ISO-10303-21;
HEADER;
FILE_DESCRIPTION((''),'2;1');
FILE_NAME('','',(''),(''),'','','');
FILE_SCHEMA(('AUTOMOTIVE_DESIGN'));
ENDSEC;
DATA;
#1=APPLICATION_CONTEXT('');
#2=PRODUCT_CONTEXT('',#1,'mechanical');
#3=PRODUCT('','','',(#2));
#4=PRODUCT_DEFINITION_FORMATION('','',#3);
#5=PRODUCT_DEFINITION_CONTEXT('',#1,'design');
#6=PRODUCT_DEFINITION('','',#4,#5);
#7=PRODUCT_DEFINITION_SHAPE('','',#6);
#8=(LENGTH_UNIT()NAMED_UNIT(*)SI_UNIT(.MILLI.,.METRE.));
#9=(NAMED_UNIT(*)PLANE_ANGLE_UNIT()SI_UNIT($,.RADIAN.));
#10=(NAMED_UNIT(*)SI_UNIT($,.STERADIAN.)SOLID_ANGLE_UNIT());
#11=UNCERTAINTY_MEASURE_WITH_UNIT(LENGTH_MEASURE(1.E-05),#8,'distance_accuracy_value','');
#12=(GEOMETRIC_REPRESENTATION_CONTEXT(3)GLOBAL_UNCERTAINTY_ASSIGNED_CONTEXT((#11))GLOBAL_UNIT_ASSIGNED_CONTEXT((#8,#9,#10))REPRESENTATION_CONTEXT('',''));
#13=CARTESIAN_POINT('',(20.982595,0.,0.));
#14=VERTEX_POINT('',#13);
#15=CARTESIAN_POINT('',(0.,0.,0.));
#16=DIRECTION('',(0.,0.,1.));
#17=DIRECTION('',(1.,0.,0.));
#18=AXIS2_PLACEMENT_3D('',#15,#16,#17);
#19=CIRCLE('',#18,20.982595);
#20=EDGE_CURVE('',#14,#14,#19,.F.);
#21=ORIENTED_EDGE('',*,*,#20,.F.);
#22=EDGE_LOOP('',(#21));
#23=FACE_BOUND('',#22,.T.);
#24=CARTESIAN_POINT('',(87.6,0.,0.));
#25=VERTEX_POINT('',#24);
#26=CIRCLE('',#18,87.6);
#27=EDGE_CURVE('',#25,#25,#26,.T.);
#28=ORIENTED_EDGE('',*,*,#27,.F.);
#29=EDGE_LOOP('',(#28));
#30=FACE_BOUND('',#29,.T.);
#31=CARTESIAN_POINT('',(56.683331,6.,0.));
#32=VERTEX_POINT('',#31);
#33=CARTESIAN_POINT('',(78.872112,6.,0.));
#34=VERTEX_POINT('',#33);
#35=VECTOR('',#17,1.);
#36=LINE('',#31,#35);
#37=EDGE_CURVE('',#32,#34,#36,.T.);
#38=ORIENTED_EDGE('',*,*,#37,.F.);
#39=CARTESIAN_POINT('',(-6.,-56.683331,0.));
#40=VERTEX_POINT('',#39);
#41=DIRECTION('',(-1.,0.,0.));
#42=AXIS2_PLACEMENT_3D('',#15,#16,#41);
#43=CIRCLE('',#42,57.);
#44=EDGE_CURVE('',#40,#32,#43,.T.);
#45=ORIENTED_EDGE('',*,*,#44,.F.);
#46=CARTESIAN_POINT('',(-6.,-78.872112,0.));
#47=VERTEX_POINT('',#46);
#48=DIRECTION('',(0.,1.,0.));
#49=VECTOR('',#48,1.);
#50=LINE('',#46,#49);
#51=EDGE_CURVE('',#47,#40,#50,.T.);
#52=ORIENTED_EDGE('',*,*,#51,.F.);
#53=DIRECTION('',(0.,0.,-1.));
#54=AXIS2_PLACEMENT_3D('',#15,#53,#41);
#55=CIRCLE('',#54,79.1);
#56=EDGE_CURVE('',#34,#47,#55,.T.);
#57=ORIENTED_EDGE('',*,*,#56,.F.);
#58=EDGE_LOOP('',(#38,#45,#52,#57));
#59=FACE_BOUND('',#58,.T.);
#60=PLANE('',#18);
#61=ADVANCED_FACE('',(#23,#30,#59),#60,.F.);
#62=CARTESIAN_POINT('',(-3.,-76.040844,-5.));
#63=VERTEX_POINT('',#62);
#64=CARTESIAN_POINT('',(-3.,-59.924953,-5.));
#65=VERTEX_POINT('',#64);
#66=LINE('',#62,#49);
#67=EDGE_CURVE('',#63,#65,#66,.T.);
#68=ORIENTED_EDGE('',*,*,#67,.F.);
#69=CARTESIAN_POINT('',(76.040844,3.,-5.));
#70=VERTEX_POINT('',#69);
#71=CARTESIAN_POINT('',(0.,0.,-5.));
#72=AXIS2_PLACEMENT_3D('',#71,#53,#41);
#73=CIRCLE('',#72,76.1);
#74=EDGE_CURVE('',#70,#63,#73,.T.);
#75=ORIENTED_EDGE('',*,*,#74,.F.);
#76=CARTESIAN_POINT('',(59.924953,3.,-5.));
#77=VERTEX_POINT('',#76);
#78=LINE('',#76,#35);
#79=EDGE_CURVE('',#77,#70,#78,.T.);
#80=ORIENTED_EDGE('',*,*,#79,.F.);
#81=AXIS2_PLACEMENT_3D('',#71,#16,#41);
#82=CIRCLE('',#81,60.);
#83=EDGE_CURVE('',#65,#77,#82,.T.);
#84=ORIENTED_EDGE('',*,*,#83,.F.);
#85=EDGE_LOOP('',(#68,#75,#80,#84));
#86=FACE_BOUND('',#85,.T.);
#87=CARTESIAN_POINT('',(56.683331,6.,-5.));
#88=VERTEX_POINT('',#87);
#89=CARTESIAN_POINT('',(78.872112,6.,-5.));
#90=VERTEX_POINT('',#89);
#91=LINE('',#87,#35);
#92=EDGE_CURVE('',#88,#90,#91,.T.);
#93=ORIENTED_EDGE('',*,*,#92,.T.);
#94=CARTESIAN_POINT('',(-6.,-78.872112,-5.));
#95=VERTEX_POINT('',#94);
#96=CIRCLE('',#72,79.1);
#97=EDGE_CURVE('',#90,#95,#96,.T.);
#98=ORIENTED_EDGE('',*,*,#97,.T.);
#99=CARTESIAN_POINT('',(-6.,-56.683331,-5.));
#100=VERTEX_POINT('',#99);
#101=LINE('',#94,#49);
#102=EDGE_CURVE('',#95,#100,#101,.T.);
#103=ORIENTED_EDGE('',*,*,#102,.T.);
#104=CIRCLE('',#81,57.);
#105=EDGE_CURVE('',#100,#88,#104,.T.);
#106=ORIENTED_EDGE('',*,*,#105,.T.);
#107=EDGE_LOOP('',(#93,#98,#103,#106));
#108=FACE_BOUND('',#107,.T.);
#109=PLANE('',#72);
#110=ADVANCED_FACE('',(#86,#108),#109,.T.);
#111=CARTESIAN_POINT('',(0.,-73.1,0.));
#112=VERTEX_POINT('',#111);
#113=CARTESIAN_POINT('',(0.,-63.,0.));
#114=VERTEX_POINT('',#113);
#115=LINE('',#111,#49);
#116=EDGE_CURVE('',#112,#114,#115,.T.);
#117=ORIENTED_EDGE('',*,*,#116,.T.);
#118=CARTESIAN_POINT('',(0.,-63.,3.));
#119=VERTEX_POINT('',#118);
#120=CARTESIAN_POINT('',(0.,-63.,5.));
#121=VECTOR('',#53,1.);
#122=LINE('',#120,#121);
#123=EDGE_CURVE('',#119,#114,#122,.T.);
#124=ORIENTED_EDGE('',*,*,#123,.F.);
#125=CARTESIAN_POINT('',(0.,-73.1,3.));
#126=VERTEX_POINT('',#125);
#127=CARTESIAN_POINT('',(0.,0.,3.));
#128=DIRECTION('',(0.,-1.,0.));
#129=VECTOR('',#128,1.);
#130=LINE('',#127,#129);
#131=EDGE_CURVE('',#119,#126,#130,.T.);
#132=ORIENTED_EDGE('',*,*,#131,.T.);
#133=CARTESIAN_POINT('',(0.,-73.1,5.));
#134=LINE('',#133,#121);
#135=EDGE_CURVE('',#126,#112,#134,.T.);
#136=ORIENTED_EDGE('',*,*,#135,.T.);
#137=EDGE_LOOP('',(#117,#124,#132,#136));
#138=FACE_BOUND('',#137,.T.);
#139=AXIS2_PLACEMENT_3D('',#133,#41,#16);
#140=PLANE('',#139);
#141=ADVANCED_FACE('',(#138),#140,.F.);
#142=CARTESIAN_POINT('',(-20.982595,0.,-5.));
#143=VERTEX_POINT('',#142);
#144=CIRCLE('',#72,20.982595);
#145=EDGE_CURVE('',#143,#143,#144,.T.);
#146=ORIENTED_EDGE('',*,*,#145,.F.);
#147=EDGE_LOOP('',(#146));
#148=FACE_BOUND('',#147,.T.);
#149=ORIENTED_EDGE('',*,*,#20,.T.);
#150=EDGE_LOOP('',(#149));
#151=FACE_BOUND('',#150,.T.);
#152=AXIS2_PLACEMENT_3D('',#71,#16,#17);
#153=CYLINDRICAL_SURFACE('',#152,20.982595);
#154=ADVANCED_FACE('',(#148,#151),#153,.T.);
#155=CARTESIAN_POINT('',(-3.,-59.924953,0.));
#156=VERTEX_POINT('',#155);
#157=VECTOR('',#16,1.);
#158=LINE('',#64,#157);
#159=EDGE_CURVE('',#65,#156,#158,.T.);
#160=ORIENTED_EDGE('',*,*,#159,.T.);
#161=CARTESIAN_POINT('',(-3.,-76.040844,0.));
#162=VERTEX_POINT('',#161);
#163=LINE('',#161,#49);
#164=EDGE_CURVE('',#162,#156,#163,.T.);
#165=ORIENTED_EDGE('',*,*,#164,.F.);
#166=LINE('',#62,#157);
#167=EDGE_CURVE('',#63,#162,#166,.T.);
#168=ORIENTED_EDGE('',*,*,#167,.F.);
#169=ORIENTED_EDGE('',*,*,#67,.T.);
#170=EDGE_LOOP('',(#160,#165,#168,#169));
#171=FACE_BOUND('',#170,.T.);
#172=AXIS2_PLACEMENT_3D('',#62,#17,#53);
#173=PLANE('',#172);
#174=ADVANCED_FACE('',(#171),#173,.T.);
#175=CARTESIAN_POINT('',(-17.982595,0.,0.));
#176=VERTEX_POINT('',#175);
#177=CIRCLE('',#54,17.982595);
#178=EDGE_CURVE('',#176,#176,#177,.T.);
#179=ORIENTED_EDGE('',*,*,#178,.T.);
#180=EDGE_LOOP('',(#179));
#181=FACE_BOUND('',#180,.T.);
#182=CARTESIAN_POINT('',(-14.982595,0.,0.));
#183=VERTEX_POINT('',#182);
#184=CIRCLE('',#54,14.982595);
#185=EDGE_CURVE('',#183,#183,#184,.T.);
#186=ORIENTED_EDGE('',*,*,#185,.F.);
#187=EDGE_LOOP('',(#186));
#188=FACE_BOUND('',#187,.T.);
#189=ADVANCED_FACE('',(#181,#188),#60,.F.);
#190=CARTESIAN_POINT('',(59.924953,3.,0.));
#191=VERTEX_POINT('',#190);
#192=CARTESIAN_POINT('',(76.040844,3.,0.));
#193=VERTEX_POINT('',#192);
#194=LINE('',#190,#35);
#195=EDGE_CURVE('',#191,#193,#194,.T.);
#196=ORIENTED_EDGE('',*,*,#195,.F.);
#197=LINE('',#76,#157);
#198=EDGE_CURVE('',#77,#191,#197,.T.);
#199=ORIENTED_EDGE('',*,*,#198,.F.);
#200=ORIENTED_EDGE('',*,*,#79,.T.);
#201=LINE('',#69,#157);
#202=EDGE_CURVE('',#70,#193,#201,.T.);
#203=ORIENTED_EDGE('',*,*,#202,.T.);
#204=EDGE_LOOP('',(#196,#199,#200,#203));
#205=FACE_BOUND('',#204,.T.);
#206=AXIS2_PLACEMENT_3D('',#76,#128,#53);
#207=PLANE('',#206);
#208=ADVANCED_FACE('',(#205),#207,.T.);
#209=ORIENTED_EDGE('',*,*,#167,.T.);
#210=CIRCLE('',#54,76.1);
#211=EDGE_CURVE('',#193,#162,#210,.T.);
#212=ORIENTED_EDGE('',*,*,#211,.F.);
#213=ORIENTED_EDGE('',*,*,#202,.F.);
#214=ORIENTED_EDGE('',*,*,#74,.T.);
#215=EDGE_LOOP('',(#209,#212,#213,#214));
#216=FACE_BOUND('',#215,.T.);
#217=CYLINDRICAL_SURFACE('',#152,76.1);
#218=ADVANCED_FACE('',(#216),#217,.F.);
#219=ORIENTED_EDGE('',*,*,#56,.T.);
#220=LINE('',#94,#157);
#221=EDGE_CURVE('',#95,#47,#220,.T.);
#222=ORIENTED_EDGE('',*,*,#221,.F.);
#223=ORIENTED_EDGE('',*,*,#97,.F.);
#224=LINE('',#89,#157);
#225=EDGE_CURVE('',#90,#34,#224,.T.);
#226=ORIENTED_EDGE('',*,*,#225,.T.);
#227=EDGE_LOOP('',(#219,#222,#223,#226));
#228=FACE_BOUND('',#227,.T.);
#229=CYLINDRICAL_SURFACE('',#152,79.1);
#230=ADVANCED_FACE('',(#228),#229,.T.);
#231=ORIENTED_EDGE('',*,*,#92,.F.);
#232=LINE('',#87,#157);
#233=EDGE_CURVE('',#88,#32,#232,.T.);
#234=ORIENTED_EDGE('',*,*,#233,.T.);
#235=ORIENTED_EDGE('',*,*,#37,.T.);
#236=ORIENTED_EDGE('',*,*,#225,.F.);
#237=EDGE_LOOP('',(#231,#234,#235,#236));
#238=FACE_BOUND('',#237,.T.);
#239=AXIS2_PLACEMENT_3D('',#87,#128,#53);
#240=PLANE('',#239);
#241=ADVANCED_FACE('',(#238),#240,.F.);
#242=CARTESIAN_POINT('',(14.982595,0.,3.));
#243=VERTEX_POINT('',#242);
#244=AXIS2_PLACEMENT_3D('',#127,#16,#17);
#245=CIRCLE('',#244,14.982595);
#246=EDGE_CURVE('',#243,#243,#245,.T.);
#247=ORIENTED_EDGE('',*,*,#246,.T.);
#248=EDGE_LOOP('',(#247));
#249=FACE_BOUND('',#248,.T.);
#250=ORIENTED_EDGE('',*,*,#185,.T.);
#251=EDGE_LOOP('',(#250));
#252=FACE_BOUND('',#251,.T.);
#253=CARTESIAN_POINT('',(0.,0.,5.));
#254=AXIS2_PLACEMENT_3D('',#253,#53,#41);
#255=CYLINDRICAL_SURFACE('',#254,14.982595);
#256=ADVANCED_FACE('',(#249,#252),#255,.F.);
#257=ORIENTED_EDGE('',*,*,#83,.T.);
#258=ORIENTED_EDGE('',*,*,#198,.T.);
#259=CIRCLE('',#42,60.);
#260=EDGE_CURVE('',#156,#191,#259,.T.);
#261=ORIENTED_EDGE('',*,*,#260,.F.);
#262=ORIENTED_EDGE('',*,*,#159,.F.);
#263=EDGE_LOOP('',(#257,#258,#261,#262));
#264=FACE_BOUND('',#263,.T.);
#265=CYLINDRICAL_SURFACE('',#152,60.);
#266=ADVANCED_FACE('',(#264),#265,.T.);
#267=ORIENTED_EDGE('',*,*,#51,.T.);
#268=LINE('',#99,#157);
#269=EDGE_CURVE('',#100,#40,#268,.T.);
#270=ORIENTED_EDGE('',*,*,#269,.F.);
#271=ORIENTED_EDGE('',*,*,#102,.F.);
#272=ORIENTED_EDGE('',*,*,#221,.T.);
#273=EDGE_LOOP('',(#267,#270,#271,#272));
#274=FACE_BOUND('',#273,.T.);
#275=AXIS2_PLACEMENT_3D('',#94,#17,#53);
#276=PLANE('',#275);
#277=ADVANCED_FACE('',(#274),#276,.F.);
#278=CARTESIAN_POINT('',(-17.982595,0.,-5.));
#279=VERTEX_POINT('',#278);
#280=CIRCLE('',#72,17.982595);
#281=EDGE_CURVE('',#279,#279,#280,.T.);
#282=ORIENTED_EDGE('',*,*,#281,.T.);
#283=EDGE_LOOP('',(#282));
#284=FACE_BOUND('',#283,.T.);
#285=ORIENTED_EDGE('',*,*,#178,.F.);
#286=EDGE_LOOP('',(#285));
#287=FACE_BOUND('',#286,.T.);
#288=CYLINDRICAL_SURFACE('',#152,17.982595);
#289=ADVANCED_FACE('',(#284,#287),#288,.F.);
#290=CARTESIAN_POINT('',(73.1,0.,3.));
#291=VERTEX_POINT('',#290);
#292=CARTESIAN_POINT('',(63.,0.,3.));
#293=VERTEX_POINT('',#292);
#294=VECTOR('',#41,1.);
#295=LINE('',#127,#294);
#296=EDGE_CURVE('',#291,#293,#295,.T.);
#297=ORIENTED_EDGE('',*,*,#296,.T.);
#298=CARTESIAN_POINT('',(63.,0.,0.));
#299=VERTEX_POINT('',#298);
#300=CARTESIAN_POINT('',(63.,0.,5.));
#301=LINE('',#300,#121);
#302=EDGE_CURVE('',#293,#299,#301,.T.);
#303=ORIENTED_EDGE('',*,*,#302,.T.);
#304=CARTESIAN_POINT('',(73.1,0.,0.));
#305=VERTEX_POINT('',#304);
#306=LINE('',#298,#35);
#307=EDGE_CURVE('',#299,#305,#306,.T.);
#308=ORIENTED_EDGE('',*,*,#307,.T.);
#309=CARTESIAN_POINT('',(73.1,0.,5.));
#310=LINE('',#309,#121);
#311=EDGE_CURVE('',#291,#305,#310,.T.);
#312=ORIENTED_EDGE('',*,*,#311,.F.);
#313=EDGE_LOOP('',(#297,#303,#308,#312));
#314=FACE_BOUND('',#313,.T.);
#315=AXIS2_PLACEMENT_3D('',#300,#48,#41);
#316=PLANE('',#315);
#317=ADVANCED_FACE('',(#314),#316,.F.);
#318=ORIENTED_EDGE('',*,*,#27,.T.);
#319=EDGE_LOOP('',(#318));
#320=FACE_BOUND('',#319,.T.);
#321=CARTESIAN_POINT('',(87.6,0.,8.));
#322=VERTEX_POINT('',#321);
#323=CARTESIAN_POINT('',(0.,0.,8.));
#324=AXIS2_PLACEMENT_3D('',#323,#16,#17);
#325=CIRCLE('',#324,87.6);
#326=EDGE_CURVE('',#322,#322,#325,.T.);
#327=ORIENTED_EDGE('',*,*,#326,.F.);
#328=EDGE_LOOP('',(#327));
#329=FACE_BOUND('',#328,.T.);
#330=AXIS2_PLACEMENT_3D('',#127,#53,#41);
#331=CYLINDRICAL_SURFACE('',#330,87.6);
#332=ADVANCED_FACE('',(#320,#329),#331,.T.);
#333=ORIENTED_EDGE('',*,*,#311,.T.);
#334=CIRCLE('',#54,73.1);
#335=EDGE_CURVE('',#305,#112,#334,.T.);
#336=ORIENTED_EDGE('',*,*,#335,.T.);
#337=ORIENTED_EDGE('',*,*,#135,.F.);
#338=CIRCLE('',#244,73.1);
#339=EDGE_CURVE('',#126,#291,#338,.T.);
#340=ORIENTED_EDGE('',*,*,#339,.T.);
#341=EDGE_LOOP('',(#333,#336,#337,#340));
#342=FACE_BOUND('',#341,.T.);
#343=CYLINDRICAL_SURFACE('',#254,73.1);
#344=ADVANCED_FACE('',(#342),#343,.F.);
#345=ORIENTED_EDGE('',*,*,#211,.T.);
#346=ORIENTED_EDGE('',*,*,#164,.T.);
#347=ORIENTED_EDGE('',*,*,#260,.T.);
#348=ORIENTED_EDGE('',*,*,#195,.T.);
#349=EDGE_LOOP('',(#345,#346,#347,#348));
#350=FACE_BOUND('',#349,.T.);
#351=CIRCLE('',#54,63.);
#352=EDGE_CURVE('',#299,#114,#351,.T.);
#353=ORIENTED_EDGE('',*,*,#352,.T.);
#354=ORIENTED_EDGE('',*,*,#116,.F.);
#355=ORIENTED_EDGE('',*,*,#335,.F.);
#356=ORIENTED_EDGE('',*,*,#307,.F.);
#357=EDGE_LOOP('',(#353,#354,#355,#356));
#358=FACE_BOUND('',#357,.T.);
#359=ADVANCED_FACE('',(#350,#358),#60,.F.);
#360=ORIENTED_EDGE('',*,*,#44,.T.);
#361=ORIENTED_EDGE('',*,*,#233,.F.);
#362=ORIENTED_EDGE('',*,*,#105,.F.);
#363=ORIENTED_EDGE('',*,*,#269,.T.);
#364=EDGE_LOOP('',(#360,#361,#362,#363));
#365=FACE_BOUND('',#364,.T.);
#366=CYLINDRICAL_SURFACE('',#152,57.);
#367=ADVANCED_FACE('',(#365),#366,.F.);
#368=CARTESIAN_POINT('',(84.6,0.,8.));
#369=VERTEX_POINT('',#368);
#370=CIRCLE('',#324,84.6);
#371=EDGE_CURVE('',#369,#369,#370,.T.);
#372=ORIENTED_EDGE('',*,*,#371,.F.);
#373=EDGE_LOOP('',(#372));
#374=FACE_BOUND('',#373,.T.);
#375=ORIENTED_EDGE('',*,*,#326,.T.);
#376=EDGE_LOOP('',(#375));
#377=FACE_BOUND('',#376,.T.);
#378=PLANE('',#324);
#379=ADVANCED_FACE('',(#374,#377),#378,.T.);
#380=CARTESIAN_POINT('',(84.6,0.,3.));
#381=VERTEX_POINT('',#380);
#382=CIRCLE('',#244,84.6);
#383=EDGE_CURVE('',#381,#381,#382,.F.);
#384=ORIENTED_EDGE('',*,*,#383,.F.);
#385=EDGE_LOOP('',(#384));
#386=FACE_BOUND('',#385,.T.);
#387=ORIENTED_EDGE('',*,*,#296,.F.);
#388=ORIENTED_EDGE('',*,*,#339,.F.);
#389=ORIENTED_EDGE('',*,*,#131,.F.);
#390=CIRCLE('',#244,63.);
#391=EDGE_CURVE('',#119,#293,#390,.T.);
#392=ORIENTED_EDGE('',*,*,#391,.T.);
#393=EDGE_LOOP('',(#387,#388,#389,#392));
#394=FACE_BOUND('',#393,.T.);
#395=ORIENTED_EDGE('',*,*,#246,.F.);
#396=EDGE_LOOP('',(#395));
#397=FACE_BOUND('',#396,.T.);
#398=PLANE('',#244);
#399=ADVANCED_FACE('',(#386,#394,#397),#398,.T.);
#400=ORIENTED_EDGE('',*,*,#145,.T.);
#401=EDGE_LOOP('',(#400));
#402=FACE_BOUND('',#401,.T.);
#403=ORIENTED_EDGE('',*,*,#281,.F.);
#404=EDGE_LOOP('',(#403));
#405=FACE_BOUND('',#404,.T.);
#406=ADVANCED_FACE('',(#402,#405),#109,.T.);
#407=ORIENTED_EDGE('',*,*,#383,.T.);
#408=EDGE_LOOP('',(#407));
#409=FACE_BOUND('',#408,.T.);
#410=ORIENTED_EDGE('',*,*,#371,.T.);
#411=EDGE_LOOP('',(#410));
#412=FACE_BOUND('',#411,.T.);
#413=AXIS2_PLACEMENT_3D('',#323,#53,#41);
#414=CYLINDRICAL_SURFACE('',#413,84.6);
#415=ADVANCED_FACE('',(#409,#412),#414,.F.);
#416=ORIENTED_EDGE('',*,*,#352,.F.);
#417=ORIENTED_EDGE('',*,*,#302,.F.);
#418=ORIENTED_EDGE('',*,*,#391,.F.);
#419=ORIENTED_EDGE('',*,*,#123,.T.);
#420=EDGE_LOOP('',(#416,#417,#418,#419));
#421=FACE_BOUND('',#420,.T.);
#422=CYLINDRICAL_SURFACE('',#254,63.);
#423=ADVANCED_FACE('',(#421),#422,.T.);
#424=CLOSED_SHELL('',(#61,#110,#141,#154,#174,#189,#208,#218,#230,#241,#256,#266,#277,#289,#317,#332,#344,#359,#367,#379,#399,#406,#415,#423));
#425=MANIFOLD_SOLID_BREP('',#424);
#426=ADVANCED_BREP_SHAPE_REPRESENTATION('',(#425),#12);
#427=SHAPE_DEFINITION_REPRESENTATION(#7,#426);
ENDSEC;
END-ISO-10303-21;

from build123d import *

# Parameters (mm, degrees)
SKETCH_1_R          = 87.6
EXTRUDE_1_DEPTH     = 3
SKETCH_3_R          = 87.6
SKETCH_3_R_2        = 84.6
EXTRUDE_2_DEPTH     = 5
CUT_EXTRUDE_1_DEPTH = 5
EXTRUDE_3_DEPTH     = 5
SKETCH_6_R          = 14.982595121
CUT_EXTRUDE_2_DEPTH = 5
SKETCH_7_R          = 20.982595121
SKETCH_7_R_2        = 17.982595121
EXTRUDE_4_DEPTH     = 5


with BuildPart() as part:
    # 스케치1 → 보스-돌출1 (new body)
    with BuildSketch(Plane.XY):
        Circle(SKETCH_1_R)
    extrude(amount=EXTRUDE_1_DEPTH)

    # 스케치3 → 보스-돌출2 (add)
    with BuildSketch(Plane.XY.offset(3)):
        Circle(SKETCH_3_R)
        Circle(SKETCH_3_R_2, mode=Mode.SUBTRACT)
    extrude(amount=EXTRUDE_2_DEPTH)

    # 스케치4 → 컷-돌출1 (cut)
    with BuildSketch(Plane(origin=(0, 0, 0), x_dir=(-1, 0, 0), z_dir=(0, 0, -1))):
        with BuildLine():
            Line((-63, 0), (-73.1, 0))
            ThreePointArc((-73.1, 0), (-51.689505705, -51.689505705), (0, -73.1))
            Line((0, -73.1), (0, -63))
            ThreePointArc((0, -63), (-44.547727215, -44.547727215), (-63, 0))
        make_face()
    extrude(amount=-CUT_EXTRUDE_1_DEPTH, mode=Mode.SUBTRACT)

    # 스케치5 → 보스-돌출3 (add)
    with BuildSketch(Plane(origin=(0, 0, 0), x_dir=(-1, 0, 0), z_dir=(0, 0, -1))):
        with BuildLine():
            Line((6, -78.872111675), (6, -56.683330883))
            ThreePointArc((6, -56.683330883), (-40.305086528, -40.305086528), (-56.683330883, 6))
            Line((-56.683330883, 6), (-78.872111675, 6))
            ThreePointArc((-78.872111675, 6), (-55.932146392, -55.932146392), (6, -78.872111675))
        make_face()
        with BuildLine():
            Line((-59.924953066, 3), (-76.040844288, 3))
            ThreePointArc((-76.040844288, 3), (-53.810826048, -53.810826048), (3, -76.040844288))
            Line((3, -76.040844288), (3, -59.924953066))
            ThreePointArc((3, -59.924953066), (-42.426406871, -42.426406871), (-59.924953066, 3))
        make_face(mode=Mode.SUBTRACT)
    extrude(amount=EXTRUDE_3_DEPTH)

    # 스케치6 → 컷-돌출2 (cut)
    with BuildSketch(Plane(origin=(0, 0, 0), x_dir=(-1, 0, 0), z_dir=(0, 0, -1))):
        Circle(SKETCH_6_R)
    extrude(amount=-CUT_EXTRUDE_2_DEPTH, mode=Mode.SUBTRACT)

    # 스케치7 → 보스-돌출4 (add)
    with BuildSketch(Plane(origin=(0, 0, 0), x_dir=(-1, 0, 0), z_dir=(0, 0, -1))):
        with Locations(Location((0, 0, 0), (0, 0, 180))):
            Circle(SKETCH_7_R)
        Circle(SKETCH_7_R_2, mode=Mode.SUBTRACT)
    extrude(amount=EXTRUDE_4_DEPTH)


solid = part.part
